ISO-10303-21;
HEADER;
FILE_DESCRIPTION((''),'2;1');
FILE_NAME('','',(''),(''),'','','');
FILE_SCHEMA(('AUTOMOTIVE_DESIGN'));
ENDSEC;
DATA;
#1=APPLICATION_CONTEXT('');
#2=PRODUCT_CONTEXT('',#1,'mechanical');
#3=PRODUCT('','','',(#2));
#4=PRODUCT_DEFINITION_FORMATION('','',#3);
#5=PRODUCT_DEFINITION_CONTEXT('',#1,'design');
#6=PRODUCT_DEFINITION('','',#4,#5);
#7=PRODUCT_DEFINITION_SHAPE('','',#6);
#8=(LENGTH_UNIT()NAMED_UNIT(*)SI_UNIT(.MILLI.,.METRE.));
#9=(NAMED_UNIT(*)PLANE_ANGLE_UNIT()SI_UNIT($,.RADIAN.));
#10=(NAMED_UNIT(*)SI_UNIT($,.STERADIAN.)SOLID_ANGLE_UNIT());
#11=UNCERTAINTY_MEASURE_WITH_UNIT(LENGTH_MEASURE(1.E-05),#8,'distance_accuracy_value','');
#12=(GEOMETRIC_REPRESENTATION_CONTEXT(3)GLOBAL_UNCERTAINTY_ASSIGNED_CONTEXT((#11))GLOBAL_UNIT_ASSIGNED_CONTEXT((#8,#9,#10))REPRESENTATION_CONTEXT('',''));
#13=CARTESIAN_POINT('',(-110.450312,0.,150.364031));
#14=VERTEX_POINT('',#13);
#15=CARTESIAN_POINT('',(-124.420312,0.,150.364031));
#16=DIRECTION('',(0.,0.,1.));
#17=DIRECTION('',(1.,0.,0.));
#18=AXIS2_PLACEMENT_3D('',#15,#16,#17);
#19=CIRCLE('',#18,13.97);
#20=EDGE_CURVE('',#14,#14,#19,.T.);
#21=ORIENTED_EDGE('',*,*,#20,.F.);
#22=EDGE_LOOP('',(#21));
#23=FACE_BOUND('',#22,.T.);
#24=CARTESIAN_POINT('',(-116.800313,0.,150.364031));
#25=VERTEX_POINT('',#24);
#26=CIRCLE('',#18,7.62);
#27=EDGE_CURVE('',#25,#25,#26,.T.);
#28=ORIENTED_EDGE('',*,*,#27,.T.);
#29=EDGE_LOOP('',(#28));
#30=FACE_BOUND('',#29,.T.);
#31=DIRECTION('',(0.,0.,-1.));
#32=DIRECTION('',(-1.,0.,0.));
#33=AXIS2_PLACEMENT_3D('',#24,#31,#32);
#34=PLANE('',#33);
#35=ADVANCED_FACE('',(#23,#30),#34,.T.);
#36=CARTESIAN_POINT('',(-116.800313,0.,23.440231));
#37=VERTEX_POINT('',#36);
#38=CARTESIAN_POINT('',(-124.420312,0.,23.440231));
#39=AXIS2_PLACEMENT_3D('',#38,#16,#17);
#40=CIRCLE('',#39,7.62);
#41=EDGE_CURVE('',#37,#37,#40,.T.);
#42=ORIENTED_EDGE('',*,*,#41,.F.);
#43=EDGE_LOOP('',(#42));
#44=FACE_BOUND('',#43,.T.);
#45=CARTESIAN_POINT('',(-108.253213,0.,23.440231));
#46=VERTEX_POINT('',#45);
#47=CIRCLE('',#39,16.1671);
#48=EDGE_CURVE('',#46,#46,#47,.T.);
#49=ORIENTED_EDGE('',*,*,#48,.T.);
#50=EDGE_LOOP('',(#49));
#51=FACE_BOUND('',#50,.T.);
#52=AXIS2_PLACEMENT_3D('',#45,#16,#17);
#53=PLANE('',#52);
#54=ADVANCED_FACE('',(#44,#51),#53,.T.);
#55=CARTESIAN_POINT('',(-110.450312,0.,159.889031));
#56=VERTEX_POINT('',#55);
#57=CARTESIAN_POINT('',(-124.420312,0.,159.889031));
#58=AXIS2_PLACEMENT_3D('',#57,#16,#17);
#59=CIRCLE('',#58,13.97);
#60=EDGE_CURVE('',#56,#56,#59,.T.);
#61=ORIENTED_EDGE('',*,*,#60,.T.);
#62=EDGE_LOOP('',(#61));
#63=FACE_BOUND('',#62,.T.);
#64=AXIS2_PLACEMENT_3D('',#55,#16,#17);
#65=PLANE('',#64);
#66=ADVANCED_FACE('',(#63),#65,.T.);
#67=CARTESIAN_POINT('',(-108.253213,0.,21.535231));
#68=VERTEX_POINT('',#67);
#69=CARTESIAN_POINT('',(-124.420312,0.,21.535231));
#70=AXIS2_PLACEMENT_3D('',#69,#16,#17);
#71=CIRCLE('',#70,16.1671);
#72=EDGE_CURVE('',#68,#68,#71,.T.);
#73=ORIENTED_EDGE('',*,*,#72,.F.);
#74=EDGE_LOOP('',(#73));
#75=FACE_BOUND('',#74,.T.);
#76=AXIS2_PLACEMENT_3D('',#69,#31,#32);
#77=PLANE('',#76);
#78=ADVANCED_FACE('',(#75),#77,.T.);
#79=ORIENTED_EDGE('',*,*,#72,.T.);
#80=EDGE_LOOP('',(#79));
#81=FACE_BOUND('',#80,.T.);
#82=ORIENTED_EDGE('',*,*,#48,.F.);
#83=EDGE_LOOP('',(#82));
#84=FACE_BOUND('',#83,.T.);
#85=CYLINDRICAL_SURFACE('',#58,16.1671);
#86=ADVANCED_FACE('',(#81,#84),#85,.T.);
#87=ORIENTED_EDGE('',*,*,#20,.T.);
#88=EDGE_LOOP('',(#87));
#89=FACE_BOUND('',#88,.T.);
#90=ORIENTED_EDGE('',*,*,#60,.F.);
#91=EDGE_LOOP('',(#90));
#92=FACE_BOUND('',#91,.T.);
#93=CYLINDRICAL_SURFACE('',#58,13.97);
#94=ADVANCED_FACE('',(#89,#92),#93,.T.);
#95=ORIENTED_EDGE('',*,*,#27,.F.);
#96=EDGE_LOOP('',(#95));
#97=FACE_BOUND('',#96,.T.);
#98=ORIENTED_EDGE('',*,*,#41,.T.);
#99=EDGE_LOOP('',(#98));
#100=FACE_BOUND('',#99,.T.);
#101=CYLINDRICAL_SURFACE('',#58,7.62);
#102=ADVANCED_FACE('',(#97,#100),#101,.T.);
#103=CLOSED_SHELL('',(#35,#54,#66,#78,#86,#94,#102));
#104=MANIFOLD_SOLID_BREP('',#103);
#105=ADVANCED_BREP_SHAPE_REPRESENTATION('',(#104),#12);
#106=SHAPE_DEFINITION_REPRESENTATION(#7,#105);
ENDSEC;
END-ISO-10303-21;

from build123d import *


with BuildPart() as part:
    # Sketch1 → Revolve1 (revolve)
    with BuildSketch(Plane(origin=(0, 0, 0), x_dir=(1, 0, 0), z_dir=(0, 1, 0))):
        Polygon((-124.4203125, -21.53523125), (-108.2532125, -21.53523125), (-108.2532125, -23.44023125), (-116.8003125, -23.44023125), (-116.8003125, -150.36403125), (-110.4503125, -150.36403125), (-110.4503125, -159.88903125), (-124.4203125, -159.88903125), align=None)
    revolve(axis=Axis((-124.4203125, 0, 159.88903125), (0, 0, -1)))


solid = part.part
